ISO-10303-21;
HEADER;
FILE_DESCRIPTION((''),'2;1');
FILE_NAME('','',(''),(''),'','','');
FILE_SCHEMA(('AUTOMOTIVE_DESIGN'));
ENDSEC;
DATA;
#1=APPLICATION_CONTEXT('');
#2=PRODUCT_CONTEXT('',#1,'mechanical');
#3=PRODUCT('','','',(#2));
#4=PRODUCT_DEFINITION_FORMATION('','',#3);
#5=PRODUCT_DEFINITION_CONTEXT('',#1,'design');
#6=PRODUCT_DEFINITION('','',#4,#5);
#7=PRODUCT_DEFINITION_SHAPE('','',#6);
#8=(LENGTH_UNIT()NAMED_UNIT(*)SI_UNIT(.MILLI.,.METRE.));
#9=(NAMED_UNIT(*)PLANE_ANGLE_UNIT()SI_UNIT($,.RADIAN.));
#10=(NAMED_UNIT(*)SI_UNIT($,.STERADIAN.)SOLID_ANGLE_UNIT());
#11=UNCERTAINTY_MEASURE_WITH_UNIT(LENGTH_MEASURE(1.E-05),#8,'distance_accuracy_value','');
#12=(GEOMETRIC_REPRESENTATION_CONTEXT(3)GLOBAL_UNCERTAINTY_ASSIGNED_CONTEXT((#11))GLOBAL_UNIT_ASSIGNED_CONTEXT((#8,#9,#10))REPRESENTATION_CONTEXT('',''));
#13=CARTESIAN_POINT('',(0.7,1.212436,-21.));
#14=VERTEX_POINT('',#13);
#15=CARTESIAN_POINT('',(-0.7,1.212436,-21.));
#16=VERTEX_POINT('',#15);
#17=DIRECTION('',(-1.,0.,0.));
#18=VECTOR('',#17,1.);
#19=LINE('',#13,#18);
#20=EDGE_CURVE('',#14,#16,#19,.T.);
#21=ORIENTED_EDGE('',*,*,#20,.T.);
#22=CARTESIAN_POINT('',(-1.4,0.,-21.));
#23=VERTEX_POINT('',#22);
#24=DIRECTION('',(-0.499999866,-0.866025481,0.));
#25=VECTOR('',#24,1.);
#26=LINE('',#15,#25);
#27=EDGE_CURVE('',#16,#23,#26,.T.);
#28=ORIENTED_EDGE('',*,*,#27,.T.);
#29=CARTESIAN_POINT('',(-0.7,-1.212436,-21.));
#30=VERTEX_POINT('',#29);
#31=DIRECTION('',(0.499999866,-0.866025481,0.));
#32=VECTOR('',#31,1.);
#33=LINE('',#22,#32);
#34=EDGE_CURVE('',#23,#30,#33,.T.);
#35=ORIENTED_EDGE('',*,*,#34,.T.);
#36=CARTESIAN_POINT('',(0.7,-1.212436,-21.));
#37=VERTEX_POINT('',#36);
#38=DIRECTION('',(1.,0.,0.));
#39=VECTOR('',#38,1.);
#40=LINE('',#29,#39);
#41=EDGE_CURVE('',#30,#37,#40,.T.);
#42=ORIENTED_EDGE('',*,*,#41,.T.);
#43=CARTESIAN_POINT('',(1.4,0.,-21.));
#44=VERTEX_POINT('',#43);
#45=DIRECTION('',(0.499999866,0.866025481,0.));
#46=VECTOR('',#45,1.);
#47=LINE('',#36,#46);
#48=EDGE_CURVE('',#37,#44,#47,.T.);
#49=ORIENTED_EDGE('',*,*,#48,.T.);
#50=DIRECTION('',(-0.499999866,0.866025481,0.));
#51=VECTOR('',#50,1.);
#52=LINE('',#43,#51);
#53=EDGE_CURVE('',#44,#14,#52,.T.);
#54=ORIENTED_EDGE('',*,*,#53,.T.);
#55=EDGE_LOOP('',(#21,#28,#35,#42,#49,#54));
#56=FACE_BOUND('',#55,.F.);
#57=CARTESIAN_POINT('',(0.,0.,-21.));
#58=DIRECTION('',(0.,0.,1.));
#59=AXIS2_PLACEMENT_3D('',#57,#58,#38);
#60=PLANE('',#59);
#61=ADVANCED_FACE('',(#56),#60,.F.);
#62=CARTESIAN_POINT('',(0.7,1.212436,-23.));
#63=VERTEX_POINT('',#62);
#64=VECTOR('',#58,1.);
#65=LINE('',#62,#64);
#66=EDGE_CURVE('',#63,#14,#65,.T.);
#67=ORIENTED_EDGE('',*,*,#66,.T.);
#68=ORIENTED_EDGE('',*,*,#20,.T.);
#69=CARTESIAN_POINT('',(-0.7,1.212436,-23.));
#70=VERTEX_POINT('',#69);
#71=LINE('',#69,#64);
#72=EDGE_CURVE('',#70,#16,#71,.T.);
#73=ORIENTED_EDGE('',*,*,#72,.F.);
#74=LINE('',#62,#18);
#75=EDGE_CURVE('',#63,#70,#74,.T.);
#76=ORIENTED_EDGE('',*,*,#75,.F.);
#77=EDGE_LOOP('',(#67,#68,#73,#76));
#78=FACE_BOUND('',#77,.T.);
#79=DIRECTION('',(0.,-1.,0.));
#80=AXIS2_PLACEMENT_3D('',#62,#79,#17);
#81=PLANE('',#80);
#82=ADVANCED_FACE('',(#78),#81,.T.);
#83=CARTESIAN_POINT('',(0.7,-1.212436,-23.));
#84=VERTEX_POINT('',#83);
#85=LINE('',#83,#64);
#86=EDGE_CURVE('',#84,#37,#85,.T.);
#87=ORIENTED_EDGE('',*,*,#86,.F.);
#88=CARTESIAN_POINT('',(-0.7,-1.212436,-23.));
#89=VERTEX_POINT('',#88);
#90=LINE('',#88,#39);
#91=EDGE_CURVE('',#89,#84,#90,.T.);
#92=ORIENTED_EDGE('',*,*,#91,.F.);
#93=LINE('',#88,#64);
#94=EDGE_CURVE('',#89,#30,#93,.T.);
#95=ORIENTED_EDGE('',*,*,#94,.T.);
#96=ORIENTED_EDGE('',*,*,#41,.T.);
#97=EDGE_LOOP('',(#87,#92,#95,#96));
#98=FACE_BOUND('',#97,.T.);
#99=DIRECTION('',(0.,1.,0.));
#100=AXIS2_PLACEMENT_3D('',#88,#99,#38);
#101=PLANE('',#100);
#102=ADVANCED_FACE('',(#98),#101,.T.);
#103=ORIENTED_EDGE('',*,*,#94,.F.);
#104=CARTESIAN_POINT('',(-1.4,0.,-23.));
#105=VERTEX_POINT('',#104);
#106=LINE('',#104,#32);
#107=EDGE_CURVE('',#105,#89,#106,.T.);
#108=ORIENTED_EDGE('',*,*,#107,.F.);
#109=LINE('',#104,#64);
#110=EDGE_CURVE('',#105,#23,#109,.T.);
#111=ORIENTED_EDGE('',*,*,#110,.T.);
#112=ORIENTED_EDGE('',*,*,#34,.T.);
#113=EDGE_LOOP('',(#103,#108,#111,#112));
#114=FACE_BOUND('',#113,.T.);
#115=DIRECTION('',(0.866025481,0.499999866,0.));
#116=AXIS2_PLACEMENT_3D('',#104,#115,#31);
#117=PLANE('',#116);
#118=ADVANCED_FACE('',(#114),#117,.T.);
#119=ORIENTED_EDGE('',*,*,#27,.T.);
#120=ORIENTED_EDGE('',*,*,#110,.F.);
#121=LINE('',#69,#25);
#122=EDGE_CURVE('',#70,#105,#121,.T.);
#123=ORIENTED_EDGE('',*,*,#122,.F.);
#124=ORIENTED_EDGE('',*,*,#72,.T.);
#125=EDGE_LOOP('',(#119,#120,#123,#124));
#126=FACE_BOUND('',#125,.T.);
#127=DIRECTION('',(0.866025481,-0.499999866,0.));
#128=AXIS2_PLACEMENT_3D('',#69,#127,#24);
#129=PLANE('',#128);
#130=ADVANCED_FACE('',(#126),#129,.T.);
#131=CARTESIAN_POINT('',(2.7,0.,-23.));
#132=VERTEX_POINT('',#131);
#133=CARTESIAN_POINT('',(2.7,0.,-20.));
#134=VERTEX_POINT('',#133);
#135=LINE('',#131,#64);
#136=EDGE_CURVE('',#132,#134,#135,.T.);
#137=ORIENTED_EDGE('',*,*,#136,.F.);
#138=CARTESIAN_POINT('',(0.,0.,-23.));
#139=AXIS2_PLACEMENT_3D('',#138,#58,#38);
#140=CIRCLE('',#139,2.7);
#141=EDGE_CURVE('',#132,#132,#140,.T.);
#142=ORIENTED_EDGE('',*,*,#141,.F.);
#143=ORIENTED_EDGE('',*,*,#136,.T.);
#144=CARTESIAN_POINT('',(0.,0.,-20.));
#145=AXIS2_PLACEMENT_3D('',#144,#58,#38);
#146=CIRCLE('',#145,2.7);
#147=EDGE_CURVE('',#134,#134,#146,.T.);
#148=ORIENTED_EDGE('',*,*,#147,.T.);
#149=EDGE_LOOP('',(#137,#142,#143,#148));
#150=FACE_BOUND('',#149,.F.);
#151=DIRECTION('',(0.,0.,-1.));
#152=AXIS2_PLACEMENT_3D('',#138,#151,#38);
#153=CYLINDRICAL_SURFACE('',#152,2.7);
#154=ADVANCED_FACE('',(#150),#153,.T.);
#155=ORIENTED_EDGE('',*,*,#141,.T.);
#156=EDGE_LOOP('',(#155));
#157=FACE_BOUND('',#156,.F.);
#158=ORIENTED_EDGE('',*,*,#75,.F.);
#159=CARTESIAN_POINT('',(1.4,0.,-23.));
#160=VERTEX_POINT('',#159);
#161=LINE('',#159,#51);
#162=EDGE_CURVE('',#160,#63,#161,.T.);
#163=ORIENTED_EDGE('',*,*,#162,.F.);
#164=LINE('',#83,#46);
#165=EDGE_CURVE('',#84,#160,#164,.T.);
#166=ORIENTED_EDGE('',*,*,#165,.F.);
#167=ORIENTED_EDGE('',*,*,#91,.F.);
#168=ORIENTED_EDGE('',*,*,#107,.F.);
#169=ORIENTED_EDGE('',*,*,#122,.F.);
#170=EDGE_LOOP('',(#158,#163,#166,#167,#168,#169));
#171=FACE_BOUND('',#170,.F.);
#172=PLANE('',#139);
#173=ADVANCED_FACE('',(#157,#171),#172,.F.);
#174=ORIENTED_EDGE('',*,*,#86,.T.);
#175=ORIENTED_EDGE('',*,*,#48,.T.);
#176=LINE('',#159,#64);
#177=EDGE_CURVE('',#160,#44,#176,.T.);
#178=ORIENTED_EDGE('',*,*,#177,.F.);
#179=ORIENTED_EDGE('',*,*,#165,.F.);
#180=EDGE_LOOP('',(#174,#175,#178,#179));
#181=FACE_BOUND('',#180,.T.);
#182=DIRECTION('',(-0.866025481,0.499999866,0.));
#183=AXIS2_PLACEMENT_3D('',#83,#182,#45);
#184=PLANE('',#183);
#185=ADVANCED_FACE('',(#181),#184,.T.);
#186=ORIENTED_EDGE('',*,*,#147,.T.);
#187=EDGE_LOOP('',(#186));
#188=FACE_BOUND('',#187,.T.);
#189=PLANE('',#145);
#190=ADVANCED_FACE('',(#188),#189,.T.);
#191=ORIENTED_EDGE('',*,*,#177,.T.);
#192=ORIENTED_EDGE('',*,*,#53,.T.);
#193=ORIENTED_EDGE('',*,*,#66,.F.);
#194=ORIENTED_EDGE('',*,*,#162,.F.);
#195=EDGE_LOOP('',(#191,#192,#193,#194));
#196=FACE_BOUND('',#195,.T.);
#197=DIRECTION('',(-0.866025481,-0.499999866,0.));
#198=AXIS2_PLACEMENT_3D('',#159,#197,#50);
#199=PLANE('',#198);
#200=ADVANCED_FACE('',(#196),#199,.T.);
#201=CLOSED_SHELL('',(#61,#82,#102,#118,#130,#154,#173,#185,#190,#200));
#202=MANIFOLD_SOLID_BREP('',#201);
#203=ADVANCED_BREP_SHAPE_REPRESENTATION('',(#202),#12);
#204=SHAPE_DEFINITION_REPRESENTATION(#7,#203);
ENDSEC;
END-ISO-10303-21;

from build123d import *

# Parameters (mm, degrees)
PRISM_DEPTH       = 2
CYLINDER013_R     = 2.7
CYLINDER013_DEPTH = 3


with BuildPart() as prism:
    # Prism → Prism (new body)
    with BuildSketch(Plane.XY.offset(-23)):
        Polygon((1.4, 0), (0.7, 1.212436), (-0.7, 1.212436), (-1.4, 0), (-0.7, -1.212436), (0.7, -1.212436), align=None)
    extrude(amount=PRISM_DEPTH)


with BuildPart() as cut008:
    # Cylinder013 → Cylinder013 (new body)
    with BuildSketch(Plane.XY.offset(-23)):
        Circle(CYLINDER013_R)
    extrude(amount=CYLINDER013_DEPTH)

    # Cut008: cut Prism
    add(prism.part, mode=Mode.SUBTRACT)


solid = cut008.part
